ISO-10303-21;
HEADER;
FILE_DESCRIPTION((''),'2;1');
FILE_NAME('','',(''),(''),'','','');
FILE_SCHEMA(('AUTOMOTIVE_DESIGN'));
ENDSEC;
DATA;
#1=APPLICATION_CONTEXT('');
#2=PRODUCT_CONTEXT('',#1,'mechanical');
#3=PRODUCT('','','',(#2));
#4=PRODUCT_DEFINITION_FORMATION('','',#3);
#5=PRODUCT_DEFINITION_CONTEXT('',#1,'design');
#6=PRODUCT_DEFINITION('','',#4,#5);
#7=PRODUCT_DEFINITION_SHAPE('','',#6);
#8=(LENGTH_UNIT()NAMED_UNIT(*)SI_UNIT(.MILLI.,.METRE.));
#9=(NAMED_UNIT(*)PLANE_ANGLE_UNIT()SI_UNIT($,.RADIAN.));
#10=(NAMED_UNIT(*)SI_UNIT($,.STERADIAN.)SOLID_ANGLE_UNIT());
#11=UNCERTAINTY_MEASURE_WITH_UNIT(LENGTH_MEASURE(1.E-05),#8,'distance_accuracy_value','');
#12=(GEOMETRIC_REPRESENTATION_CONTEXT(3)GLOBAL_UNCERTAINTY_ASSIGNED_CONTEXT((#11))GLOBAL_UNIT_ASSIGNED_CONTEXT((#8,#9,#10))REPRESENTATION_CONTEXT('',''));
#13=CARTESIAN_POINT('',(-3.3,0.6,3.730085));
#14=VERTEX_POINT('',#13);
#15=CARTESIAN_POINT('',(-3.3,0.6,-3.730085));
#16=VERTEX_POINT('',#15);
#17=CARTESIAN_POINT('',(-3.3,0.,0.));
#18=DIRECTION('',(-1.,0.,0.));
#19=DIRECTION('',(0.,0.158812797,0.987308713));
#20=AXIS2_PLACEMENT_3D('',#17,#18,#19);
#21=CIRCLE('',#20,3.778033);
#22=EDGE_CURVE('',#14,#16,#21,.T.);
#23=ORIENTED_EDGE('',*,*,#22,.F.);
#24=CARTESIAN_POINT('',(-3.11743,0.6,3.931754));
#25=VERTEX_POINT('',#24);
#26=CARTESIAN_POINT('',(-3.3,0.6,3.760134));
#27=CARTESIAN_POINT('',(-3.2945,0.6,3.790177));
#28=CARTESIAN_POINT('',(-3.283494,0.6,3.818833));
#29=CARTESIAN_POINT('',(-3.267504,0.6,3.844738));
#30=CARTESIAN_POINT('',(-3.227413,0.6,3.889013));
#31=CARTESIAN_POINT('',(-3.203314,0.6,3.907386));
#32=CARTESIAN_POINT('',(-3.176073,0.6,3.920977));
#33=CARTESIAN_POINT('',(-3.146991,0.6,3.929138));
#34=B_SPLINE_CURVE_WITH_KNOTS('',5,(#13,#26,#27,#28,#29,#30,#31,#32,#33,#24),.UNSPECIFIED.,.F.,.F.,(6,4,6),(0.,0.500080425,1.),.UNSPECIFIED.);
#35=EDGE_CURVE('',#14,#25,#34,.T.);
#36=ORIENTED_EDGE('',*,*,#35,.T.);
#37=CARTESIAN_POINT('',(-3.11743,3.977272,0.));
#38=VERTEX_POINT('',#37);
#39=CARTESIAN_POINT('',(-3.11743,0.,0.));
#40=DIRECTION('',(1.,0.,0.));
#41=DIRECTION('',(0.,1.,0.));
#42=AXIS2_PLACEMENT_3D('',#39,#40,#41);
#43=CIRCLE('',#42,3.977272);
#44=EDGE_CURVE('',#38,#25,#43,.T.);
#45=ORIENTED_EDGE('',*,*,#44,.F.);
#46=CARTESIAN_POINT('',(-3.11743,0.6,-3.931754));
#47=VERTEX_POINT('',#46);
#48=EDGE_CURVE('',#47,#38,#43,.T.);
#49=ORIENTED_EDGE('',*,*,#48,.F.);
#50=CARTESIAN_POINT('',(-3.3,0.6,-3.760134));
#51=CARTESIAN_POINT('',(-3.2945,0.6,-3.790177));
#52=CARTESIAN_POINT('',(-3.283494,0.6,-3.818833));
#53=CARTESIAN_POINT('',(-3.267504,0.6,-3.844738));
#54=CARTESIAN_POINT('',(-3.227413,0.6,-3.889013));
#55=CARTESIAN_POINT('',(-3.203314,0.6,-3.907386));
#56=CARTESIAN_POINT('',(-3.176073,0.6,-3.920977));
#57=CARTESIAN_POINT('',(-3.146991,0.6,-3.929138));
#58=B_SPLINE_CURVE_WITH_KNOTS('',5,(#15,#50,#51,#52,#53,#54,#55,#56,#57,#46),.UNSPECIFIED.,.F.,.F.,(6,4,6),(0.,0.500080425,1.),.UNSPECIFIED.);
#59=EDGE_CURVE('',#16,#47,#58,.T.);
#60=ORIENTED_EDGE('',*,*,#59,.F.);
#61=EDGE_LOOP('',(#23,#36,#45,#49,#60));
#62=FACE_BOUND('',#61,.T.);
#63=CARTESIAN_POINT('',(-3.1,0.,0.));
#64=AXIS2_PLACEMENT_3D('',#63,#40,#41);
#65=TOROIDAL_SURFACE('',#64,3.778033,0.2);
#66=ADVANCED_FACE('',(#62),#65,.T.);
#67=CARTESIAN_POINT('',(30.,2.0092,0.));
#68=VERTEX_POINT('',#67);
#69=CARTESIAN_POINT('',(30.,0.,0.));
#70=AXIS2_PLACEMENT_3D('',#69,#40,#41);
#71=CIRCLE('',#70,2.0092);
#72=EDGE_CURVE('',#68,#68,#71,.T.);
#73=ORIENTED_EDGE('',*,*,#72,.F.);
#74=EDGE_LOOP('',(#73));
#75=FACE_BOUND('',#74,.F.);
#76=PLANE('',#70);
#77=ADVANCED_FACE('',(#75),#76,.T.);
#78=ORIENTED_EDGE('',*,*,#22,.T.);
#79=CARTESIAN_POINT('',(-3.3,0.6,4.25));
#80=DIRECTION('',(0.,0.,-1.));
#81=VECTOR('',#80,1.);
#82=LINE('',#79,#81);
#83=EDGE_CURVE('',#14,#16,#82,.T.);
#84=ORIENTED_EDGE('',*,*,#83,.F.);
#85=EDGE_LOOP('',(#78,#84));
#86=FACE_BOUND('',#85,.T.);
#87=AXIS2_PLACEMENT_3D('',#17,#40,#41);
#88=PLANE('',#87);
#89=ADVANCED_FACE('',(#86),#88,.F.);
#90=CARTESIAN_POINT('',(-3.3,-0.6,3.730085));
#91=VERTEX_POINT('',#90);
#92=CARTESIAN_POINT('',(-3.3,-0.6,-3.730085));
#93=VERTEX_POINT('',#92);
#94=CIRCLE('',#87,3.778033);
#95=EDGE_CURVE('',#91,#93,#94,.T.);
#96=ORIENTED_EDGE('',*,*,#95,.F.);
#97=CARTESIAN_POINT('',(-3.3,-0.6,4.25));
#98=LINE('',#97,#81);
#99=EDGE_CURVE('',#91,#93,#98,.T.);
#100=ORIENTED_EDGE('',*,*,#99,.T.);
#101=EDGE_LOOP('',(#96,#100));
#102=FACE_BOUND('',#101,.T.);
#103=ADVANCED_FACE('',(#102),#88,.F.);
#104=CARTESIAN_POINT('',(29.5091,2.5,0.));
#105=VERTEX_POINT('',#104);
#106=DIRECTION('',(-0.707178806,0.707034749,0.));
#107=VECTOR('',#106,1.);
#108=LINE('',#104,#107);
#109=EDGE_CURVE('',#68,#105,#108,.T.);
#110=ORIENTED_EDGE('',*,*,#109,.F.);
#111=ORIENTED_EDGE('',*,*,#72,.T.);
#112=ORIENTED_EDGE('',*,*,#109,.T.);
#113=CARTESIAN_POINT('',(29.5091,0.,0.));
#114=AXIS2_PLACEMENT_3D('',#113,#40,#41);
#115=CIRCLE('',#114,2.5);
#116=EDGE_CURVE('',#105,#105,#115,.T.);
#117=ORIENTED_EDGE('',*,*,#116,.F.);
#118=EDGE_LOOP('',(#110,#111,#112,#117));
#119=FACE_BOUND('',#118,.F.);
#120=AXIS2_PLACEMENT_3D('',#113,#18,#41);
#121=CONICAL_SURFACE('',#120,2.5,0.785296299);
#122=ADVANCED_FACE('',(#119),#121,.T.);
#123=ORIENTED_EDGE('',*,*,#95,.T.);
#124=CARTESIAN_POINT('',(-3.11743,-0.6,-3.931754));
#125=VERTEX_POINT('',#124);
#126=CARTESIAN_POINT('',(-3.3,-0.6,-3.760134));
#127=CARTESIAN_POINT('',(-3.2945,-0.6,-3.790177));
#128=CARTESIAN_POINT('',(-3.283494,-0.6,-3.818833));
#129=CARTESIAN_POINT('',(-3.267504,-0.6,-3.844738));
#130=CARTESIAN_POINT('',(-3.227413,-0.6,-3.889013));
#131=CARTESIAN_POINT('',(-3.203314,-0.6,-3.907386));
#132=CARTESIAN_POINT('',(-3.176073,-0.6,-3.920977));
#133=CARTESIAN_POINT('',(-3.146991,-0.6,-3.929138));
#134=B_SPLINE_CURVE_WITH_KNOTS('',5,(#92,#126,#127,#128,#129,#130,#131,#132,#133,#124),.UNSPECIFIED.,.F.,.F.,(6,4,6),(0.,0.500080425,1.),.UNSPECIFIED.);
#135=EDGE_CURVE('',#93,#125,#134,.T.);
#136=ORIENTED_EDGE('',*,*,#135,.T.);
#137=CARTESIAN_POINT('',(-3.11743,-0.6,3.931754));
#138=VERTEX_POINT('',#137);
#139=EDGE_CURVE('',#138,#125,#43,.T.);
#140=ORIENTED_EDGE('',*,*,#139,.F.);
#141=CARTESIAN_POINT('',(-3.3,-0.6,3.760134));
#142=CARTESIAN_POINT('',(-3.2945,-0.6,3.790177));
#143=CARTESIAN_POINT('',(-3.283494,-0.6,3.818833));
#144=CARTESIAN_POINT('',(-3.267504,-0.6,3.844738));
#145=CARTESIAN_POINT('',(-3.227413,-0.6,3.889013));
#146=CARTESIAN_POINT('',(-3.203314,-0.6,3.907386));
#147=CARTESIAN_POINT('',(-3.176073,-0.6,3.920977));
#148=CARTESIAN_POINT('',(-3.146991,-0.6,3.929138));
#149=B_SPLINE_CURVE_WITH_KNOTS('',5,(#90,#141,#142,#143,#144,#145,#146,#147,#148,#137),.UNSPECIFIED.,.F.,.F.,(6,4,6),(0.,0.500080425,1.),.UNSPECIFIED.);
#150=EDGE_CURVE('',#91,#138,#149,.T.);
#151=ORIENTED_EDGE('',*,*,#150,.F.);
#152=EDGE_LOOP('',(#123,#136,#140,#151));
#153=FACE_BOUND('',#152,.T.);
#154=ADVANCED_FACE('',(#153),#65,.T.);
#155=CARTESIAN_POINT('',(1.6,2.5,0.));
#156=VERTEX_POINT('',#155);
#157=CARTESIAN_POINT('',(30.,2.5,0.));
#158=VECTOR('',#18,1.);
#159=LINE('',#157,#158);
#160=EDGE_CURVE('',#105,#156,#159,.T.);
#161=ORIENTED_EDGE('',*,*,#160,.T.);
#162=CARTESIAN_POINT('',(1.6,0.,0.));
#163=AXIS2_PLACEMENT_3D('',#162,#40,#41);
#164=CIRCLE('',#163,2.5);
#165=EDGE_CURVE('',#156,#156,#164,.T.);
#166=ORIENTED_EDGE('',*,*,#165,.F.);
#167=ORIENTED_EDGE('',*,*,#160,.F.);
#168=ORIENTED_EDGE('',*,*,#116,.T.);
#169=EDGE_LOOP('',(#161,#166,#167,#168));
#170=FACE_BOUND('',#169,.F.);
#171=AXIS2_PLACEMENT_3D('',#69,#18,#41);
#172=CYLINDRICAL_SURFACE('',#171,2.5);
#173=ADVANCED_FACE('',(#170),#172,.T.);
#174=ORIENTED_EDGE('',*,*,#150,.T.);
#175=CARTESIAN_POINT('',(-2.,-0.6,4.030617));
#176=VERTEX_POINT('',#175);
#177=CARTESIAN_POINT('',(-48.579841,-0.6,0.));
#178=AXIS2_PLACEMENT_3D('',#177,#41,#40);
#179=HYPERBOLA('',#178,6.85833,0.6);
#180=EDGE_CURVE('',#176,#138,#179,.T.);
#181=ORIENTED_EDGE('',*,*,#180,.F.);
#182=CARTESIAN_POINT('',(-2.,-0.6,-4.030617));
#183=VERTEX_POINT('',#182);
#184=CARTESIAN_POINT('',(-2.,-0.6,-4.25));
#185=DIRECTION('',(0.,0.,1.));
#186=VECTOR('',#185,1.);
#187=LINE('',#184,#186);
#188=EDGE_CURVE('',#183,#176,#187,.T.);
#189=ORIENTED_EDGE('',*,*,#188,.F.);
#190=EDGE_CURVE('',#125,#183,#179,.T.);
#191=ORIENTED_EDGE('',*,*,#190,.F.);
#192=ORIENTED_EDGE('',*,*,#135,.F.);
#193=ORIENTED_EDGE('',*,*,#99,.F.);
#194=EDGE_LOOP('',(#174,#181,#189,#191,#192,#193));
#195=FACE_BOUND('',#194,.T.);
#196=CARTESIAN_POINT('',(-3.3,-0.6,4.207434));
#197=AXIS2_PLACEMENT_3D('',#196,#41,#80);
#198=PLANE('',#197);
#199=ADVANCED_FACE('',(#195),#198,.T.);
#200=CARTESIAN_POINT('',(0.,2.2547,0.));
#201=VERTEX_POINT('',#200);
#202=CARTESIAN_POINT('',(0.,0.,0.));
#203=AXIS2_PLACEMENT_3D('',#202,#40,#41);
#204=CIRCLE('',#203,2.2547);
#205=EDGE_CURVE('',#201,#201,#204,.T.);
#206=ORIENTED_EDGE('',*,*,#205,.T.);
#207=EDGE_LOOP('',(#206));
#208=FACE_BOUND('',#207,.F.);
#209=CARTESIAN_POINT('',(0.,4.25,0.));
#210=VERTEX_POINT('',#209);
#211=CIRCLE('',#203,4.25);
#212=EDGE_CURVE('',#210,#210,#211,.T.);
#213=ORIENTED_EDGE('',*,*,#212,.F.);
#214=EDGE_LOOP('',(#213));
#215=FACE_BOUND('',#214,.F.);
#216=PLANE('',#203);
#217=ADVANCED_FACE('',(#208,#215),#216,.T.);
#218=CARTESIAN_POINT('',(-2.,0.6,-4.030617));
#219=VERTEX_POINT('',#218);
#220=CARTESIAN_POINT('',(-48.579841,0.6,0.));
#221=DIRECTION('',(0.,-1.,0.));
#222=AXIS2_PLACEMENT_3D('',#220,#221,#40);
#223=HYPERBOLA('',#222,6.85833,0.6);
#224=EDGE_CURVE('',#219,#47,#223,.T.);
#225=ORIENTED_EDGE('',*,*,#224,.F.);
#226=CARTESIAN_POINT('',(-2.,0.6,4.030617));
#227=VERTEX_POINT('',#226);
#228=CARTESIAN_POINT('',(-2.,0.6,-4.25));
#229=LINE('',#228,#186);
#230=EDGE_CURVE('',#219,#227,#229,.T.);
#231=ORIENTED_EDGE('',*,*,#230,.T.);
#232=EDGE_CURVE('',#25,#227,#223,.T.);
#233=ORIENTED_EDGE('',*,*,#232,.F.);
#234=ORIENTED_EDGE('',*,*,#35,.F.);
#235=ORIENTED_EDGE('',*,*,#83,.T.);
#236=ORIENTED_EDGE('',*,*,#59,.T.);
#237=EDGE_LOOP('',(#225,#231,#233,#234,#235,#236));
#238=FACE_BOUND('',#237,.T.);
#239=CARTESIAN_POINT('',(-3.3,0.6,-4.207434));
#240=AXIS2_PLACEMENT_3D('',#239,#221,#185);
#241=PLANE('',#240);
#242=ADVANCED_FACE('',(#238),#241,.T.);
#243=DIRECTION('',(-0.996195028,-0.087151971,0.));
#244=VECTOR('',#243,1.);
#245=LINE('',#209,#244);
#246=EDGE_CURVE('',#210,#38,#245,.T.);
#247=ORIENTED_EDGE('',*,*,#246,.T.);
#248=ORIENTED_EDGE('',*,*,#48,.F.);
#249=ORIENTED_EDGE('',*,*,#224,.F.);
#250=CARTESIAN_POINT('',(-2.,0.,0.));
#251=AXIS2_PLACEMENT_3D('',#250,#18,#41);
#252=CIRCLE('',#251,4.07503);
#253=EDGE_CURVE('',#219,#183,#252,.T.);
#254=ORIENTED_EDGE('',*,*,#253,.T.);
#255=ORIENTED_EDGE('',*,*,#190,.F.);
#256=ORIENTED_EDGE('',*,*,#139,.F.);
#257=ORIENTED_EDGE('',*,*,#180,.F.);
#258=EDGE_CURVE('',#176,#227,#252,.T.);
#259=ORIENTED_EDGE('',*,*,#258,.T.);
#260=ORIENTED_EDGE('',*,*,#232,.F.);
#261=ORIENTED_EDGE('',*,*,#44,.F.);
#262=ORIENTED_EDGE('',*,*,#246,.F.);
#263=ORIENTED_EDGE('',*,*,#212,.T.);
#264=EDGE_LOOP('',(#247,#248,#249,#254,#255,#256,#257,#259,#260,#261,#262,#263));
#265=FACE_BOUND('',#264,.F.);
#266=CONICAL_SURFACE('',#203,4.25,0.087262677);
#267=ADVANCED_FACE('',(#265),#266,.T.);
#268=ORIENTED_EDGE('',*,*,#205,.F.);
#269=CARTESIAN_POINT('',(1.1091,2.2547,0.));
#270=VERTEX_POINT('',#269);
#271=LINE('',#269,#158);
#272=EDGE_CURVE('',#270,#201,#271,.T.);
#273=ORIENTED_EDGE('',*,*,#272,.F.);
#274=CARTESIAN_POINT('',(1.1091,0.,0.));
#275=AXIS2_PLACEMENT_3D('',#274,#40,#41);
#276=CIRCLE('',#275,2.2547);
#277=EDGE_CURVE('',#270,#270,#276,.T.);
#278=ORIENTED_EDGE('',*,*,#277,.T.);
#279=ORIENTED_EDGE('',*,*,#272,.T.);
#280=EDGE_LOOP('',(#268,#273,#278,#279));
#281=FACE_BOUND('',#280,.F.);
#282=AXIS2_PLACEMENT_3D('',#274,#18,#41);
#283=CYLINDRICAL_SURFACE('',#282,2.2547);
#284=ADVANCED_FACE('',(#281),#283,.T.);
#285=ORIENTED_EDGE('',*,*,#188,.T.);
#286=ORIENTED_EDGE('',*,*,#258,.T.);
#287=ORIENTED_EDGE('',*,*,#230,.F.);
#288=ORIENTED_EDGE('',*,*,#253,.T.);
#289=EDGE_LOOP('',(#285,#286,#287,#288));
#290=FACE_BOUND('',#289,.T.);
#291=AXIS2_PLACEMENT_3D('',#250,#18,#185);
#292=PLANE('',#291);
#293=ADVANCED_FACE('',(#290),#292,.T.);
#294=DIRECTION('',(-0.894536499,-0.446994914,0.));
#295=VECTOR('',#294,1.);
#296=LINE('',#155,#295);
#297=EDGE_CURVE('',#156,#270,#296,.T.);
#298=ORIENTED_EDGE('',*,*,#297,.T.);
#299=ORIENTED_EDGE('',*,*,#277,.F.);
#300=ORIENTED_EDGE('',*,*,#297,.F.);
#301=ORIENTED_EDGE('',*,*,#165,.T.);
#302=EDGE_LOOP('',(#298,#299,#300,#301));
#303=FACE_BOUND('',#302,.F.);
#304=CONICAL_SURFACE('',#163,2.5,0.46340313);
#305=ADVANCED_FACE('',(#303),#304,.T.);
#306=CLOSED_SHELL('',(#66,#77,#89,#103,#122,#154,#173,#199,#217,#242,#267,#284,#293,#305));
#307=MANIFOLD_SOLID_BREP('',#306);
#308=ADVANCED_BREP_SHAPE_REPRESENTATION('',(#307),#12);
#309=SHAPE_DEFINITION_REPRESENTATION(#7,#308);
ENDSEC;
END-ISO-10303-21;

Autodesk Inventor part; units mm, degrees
ref_plane "YZ Plane" through (0, 0, 0) normal (1, 0, 0) x (0, 1, 0)
ref_plane "XZ Plane" through (0, 0, 0) normal (0, 1, 0) x (-1, 0, 0)
sketch "Sketch1" plane through (0, 0, 0) normal (0, 0, 1) x (1, 0, 0)
  line L0 (-3.3, 0) -> (30, 0)
  line L1 (30, 0) -> (30, 2.5)
  line L2 (30, 2.5) -> (1.6, 2.5)
  line L3 (1.6, 2.5) -> (1.1091, 2.2547)
  line L4 (1.1091, 2.2547) -> (0, 2.2547)
  line L5 (0, 2.2547) -> (0, 4.25)
  line L6 (-9.96, 0) -> (36.66, 0) projected
  line L7 (0, -0.85) -> (0, 5.1) projected
  line L8 (-3.3, 0) -> (-3.3, 3.9613)
  line L9 (0, 4.25) -> (-3.3, 3.9613)
  line L10 (1.6, 2.5) -> (0, 2.5) construction
  dimension "d0" = 30
  dimension "d1" = 28.4
  dimension "d2" = 0.4909
  dimension "d3" = 3.3
  dimension "d4" = 5
  dimension "d5" = 4.5095
  dimension "d9" = 8.5
  dimension "d10" = 5
revolve "Body" add sketch "Sketch1" angle 360 about axis through (-3.3, 0, 0) along (1, 0, 0)
sketch "Sketch2" plane through (-3.3, 0, 0) normal (-1, 0, 0) x (0, 0, 1)
  circle A0 centre (0, 0) radius 4.25 projected
  line L0 (0, 0) -> (0, 3.9613) projected
  line L1 (-4.25, 0.6) -> (4.25, 0.6)
  line L2 (4.25, 0.6) -> (4.25, -0.6)
  line L3 (4.25, -0.6) -> (-4.25, -0.6)
  line L4 (-4.25, -0.6) -> (-4.25, 0.6)
  line L5 (-4.25, 0) -> (4.25, 0) construction
  line L6 (0, 0.6) -> (0, -0.6) construction
  dimension "d11" = 1.2
  dimension "d12" = 8.5
fillet "Fillet1" radius 0.2 1 edges at (-3.3, -3.9613, 0)
extrude "Slot" cut sketch "Sketch2" against normal blind 1.3 contours A0 L3 L1 | L2 L3 A0 | A0 L1 L2 | A0 L4 L1 | L3 L4 A0
thread "Thread" size "M5x0.8" class "6g" standard "ISO Metric profile" length 28.4
chamfer "Chamfer1" distance 0.4908 distance2 0.4909 1 edges at (30, -2.5, 0) measured on face at (30, 0.852, -0.5526)
ref_plane "Work Plane1" through (30.1625, 0, 0) normal (0, 0, -1) x (1, 0, 0)
equation "\"d11\" = SBR"
equation "\"d12\" = KOD"
equation "\"d19\" = STI"
equation "\"d14\" = RR"
equation "\"d15\" = GEL"
equation "\"d17\" = -0.5 * SPD + 0.5 * GD"
equation "\"d0\" = NLG"
equation "\"d1\" = GEL"
equation "\"d3\" = KOH"
equation "\"d4\" = GD"
equation "\"d5\" = BDM"
equation "\"d9\" = KOD"
equation "\"d10\" = KEWI"
equation "\"GD\" = NND"
equation "\"NLG\" = 30"
equation "\"GEL\" = 28.4"
equation "\"KOD\" = 8.5"
equation "\"KOH\" = 3.3"
equation "\"GAL\" = 0.61345 * PTC"
equation "\"SPD\" = NND - 1.2269 * PTC"
equation "\"BDM\" = 4.5095"
equation "\"GUL\" = 0.61345 * PTC"
equation "\"RR\" = 0.2"
equation "\"SBR\" = 1.2"
equation "\"STI\" = 1.3"
equation "\"KEWI\" = 5deg"
equation "\"PTC\" = 0.8"
equation "\"THREADDIA\" = 5"
equation "\"TOA\" = 30deg"
equation "\"NND\" = 5"
equation "\"GD1\" = THREADDIA - 1.2269 * PTC"
properties part number "ISO 1207 - M5 x 30" material "Stainless Steel, 440C"
